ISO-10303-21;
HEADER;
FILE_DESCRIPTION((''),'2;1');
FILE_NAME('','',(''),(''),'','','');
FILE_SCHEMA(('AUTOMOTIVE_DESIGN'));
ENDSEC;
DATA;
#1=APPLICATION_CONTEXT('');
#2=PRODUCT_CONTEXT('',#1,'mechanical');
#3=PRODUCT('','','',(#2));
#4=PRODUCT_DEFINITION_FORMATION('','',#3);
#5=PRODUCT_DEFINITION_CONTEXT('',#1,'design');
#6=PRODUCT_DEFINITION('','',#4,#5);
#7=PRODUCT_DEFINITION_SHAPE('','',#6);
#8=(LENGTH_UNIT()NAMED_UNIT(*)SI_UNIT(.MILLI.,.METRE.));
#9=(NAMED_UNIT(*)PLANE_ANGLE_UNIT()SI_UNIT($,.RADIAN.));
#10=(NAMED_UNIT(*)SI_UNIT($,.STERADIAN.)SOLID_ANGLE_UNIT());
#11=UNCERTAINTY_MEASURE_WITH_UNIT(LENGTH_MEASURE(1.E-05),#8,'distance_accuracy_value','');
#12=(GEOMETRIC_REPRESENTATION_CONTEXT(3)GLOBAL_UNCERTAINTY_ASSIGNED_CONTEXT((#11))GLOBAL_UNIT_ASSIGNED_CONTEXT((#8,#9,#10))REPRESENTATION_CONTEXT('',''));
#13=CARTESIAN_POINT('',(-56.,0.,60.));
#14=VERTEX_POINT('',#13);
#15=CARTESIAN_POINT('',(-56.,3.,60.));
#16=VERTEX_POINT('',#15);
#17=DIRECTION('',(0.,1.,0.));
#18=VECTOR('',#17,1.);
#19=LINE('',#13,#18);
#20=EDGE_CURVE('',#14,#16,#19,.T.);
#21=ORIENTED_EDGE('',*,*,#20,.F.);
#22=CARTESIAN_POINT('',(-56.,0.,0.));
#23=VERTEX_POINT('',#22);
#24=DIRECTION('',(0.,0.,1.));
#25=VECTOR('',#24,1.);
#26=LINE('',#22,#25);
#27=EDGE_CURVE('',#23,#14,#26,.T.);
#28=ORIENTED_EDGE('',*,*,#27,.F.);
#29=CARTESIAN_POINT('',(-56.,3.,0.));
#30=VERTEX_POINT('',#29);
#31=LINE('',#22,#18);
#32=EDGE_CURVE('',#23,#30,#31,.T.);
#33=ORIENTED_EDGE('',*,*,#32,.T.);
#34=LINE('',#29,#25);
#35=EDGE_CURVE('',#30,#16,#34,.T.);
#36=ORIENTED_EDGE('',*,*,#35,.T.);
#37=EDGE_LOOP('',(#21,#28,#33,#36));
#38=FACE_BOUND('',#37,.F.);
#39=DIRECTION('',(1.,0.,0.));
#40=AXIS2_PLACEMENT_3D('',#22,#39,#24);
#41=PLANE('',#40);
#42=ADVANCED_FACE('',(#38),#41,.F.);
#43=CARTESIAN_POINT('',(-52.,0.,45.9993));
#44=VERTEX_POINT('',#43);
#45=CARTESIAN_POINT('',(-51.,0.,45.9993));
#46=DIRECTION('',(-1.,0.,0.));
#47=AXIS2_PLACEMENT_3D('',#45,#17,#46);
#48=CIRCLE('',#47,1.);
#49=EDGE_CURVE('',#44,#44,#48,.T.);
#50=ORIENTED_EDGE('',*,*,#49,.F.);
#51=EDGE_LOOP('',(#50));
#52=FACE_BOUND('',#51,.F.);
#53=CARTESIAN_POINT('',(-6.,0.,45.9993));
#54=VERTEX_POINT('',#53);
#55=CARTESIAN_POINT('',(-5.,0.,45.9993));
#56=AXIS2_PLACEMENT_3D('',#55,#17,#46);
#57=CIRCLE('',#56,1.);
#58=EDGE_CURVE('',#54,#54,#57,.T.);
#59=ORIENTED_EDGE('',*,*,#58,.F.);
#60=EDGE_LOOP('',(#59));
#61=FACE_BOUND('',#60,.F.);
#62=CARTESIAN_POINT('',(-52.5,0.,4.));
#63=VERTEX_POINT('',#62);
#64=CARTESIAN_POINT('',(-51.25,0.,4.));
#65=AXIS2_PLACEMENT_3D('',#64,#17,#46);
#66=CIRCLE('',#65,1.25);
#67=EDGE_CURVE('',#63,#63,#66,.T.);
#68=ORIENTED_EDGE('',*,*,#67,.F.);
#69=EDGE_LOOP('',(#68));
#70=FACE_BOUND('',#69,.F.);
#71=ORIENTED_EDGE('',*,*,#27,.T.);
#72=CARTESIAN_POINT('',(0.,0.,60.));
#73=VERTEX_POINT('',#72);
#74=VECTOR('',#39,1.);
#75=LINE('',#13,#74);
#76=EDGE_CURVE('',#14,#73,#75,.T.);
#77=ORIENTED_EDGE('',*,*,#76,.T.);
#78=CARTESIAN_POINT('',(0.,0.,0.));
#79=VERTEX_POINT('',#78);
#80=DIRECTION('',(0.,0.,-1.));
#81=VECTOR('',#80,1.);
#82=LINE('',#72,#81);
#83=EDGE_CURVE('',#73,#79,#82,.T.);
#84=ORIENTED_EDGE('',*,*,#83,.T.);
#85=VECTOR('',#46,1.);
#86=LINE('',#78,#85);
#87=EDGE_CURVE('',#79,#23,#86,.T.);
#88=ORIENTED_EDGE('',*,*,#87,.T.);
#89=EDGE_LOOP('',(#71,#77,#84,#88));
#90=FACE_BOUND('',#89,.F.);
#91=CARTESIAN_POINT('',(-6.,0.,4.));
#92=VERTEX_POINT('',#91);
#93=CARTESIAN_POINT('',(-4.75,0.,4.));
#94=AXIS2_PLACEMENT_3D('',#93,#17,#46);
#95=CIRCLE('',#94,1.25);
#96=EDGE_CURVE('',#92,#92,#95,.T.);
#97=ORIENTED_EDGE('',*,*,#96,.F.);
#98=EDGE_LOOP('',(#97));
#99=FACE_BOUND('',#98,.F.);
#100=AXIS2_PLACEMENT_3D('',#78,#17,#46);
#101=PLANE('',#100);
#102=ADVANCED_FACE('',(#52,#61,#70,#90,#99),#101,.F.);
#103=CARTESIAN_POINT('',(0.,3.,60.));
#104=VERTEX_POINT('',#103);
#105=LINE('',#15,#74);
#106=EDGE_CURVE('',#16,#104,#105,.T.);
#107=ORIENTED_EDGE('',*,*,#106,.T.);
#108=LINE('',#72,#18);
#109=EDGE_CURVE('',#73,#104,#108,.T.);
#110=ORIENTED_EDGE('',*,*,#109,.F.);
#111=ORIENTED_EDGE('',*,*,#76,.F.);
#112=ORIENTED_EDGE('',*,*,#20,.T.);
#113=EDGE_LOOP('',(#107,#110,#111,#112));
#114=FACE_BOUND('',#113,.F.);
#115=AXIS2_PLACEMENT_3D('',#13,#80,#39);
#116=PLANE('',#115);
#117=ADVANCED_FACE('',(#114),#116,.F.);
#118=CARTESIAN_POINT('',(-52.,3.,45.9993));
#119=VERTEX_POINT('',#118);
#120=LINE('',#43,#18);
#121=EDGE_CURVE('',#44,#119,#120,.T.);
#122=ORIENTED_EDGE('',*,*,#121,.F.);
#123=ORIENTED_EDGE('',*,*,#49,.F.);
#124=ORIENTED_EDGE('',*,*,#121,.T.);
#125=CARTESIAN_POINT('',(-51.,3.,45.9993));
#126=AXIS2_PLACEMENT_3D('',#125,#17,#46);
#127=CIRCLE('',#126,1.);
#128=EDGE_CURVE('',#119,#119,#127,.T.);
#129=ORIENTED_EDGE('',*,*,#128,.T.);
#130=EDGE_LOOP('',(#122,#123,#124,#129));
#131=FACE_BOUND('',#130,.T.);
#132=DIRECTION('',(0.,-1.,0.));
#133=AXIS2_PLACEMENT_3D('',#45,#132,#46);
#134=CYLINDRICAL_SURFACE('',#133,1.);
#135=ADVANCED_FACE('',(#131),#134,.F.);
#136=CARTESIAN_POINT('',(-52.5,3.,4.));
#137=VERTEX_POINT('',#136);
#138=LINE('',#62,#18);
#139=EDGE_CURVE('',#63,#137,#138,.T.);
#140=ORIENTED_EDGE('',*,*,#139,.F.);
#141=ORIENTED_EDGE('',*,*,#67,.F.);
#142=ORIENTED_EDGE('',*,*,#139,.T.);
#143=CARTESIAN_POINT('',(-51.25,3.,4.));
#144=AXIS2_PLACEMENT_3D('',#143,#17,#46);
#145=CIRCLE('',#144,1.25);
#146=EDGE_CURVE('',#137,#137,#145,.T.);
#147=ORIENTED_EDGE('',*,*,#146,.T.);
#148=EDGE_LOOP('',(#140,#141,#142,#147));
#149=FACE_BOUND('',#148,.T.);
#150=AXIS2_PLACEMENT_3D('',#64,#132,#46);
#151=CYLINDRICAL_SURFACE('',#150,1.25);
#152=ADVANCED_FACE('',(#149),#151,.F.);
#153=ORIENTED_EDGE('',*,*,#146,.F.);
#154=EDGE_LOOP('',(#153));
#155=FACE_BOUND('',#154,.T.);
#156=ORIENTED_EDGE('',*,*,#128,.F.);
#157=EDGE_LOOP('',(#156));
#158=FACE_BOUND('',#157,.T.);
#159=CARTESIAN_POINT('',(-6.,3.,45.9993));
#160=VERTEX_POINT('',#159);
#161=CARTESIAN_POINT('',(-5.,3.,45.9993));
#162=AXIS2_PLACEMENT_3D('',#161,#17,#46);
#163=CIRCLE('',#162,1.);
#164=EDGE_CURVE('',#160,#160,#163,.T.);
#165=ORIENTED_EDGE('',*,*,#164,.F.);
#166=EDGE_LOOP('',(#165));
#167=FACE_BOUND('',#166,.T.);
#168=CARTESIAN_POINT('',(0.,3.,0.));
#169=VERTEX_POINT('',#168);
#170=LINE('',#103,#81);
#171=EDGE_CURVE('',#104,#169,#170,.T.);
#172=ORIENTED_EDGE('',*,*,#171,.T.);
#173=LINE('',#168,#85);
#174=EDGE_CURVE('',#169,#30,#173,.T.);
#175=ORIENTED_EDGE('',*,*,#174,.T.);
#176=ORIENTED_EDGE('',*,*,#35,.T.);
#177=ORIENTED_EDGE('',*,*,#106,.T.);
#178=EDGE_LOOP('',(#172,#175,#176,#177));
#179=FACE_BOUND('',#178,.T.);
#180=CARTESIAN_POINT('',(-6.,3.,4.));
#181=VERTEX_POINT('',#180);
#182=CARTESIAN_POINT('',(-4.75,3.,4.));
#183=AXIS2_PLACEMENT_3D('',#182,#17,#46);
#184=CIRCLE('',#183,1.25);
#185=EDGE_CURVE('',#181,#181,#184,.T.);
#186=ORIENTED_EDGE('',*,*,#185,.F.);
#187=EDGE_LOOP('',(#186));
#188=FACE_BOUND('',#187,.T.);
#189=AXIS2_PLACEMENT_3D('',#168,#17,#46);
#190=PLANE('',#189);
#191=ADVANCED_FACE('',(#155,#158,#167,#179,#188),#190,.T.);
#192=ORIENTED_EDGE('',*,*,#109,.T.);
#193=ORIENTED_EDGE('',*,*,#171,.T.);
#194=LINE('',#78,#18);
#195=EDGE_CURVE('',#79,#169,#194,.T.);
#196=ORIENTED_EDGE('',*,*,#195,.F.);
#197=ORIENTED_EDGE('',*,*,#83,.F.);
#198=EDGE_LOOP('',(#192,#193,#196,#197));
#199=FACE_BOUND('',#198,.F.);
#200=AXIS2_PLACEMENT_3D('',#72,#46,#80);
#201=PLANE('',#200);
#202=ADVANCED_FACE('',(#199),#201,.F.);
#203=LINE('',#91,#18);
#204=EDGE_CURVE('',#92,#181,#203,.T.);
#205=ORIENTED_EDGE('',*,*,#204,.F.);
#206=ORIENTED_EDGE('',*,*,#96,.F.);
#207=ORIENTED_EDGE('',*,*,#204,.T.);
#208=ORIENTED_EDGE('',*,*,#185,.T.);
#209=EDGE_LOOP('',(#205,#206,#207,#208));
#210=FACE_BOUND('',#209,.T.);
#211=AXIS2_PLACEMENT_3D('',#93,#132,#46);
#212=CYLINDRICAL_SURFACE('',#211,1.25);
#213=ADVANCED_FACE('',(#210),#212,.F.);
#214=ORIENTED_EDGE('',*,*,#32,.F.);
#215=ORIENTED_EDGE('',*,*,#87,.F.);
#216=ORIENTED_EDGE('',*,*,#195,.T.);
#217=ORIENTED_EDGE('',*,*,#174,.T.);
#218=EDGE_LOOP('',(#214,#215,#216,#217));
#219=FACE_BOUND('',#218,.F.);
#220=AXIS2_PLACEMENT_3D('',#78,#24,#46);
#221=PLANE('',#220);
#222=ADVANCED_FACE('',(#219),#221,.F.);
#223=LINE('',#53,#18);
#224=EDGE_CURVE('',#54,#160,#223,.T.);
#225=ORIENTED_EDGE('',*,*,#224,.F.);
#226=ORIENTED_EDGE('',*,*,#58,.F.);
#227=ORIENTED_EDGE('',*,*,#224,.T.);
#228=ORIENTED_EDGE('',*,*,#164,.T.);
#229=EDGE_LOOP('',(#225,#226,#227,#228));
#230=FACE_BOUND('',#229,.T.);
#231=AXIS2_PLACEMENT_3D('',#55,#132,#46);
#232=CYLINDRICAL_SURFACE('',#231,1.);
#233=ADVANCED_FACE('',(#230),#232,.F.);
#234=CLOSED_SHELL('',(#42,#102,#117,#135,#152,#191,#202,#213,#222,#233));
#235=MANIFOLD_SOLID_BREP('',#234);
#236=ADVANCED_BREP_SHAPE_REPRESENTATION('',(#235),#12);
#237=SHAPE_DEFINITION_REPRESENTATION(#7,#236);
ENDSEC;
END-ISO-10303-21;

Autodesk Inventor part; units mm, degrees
ref_plane "YZ Plane" through (0, 0, 0) normal (1, 0, 0) x (0, 1, 0)
ref_plane "XZ Plane" through (0, 0, 0) normal (0, 1, 0) x (-1, 0, 0)
ref_plane "XY Plane" through (0, 0, 0) normal (0, 0, 1) x (1, 0, 0)
sketch "Sketch1" plane through (0, 0, 0) normal (0, 1, 0) x (-1, 0, 0)
  line L0 (0, 0) -> (56, 0)
  line L1 (56, 0) -> (56, 60)
  line L2 (56, 60) -> (0, 60)
  line L3 (0, 60) -> (0, 0)
  circle A0 centre (4.75, 4) radius 1.25
  circle A1 centre (5, 45.9993) radius 1
  line L4 (28, 60) -> (28, 0) construction
  circle A2 centre (51.25, 4) radius 1.25
  circle A3 centre (51, 45.9993) radius 1
  dimension "d0" = 56
  dimension "d1" = 60
  dimension "d4" = 2.5
  dimension "d5" = 4.75
  dimension "d6" = 4
  dimension "d7" = 2
  dimension "d8" = 5
  dimension "d9" = 42
extrude "Extrusion1" add sketch "Sketch1" along normal blind 3
properties part number "wall-front-outer-scaled"
